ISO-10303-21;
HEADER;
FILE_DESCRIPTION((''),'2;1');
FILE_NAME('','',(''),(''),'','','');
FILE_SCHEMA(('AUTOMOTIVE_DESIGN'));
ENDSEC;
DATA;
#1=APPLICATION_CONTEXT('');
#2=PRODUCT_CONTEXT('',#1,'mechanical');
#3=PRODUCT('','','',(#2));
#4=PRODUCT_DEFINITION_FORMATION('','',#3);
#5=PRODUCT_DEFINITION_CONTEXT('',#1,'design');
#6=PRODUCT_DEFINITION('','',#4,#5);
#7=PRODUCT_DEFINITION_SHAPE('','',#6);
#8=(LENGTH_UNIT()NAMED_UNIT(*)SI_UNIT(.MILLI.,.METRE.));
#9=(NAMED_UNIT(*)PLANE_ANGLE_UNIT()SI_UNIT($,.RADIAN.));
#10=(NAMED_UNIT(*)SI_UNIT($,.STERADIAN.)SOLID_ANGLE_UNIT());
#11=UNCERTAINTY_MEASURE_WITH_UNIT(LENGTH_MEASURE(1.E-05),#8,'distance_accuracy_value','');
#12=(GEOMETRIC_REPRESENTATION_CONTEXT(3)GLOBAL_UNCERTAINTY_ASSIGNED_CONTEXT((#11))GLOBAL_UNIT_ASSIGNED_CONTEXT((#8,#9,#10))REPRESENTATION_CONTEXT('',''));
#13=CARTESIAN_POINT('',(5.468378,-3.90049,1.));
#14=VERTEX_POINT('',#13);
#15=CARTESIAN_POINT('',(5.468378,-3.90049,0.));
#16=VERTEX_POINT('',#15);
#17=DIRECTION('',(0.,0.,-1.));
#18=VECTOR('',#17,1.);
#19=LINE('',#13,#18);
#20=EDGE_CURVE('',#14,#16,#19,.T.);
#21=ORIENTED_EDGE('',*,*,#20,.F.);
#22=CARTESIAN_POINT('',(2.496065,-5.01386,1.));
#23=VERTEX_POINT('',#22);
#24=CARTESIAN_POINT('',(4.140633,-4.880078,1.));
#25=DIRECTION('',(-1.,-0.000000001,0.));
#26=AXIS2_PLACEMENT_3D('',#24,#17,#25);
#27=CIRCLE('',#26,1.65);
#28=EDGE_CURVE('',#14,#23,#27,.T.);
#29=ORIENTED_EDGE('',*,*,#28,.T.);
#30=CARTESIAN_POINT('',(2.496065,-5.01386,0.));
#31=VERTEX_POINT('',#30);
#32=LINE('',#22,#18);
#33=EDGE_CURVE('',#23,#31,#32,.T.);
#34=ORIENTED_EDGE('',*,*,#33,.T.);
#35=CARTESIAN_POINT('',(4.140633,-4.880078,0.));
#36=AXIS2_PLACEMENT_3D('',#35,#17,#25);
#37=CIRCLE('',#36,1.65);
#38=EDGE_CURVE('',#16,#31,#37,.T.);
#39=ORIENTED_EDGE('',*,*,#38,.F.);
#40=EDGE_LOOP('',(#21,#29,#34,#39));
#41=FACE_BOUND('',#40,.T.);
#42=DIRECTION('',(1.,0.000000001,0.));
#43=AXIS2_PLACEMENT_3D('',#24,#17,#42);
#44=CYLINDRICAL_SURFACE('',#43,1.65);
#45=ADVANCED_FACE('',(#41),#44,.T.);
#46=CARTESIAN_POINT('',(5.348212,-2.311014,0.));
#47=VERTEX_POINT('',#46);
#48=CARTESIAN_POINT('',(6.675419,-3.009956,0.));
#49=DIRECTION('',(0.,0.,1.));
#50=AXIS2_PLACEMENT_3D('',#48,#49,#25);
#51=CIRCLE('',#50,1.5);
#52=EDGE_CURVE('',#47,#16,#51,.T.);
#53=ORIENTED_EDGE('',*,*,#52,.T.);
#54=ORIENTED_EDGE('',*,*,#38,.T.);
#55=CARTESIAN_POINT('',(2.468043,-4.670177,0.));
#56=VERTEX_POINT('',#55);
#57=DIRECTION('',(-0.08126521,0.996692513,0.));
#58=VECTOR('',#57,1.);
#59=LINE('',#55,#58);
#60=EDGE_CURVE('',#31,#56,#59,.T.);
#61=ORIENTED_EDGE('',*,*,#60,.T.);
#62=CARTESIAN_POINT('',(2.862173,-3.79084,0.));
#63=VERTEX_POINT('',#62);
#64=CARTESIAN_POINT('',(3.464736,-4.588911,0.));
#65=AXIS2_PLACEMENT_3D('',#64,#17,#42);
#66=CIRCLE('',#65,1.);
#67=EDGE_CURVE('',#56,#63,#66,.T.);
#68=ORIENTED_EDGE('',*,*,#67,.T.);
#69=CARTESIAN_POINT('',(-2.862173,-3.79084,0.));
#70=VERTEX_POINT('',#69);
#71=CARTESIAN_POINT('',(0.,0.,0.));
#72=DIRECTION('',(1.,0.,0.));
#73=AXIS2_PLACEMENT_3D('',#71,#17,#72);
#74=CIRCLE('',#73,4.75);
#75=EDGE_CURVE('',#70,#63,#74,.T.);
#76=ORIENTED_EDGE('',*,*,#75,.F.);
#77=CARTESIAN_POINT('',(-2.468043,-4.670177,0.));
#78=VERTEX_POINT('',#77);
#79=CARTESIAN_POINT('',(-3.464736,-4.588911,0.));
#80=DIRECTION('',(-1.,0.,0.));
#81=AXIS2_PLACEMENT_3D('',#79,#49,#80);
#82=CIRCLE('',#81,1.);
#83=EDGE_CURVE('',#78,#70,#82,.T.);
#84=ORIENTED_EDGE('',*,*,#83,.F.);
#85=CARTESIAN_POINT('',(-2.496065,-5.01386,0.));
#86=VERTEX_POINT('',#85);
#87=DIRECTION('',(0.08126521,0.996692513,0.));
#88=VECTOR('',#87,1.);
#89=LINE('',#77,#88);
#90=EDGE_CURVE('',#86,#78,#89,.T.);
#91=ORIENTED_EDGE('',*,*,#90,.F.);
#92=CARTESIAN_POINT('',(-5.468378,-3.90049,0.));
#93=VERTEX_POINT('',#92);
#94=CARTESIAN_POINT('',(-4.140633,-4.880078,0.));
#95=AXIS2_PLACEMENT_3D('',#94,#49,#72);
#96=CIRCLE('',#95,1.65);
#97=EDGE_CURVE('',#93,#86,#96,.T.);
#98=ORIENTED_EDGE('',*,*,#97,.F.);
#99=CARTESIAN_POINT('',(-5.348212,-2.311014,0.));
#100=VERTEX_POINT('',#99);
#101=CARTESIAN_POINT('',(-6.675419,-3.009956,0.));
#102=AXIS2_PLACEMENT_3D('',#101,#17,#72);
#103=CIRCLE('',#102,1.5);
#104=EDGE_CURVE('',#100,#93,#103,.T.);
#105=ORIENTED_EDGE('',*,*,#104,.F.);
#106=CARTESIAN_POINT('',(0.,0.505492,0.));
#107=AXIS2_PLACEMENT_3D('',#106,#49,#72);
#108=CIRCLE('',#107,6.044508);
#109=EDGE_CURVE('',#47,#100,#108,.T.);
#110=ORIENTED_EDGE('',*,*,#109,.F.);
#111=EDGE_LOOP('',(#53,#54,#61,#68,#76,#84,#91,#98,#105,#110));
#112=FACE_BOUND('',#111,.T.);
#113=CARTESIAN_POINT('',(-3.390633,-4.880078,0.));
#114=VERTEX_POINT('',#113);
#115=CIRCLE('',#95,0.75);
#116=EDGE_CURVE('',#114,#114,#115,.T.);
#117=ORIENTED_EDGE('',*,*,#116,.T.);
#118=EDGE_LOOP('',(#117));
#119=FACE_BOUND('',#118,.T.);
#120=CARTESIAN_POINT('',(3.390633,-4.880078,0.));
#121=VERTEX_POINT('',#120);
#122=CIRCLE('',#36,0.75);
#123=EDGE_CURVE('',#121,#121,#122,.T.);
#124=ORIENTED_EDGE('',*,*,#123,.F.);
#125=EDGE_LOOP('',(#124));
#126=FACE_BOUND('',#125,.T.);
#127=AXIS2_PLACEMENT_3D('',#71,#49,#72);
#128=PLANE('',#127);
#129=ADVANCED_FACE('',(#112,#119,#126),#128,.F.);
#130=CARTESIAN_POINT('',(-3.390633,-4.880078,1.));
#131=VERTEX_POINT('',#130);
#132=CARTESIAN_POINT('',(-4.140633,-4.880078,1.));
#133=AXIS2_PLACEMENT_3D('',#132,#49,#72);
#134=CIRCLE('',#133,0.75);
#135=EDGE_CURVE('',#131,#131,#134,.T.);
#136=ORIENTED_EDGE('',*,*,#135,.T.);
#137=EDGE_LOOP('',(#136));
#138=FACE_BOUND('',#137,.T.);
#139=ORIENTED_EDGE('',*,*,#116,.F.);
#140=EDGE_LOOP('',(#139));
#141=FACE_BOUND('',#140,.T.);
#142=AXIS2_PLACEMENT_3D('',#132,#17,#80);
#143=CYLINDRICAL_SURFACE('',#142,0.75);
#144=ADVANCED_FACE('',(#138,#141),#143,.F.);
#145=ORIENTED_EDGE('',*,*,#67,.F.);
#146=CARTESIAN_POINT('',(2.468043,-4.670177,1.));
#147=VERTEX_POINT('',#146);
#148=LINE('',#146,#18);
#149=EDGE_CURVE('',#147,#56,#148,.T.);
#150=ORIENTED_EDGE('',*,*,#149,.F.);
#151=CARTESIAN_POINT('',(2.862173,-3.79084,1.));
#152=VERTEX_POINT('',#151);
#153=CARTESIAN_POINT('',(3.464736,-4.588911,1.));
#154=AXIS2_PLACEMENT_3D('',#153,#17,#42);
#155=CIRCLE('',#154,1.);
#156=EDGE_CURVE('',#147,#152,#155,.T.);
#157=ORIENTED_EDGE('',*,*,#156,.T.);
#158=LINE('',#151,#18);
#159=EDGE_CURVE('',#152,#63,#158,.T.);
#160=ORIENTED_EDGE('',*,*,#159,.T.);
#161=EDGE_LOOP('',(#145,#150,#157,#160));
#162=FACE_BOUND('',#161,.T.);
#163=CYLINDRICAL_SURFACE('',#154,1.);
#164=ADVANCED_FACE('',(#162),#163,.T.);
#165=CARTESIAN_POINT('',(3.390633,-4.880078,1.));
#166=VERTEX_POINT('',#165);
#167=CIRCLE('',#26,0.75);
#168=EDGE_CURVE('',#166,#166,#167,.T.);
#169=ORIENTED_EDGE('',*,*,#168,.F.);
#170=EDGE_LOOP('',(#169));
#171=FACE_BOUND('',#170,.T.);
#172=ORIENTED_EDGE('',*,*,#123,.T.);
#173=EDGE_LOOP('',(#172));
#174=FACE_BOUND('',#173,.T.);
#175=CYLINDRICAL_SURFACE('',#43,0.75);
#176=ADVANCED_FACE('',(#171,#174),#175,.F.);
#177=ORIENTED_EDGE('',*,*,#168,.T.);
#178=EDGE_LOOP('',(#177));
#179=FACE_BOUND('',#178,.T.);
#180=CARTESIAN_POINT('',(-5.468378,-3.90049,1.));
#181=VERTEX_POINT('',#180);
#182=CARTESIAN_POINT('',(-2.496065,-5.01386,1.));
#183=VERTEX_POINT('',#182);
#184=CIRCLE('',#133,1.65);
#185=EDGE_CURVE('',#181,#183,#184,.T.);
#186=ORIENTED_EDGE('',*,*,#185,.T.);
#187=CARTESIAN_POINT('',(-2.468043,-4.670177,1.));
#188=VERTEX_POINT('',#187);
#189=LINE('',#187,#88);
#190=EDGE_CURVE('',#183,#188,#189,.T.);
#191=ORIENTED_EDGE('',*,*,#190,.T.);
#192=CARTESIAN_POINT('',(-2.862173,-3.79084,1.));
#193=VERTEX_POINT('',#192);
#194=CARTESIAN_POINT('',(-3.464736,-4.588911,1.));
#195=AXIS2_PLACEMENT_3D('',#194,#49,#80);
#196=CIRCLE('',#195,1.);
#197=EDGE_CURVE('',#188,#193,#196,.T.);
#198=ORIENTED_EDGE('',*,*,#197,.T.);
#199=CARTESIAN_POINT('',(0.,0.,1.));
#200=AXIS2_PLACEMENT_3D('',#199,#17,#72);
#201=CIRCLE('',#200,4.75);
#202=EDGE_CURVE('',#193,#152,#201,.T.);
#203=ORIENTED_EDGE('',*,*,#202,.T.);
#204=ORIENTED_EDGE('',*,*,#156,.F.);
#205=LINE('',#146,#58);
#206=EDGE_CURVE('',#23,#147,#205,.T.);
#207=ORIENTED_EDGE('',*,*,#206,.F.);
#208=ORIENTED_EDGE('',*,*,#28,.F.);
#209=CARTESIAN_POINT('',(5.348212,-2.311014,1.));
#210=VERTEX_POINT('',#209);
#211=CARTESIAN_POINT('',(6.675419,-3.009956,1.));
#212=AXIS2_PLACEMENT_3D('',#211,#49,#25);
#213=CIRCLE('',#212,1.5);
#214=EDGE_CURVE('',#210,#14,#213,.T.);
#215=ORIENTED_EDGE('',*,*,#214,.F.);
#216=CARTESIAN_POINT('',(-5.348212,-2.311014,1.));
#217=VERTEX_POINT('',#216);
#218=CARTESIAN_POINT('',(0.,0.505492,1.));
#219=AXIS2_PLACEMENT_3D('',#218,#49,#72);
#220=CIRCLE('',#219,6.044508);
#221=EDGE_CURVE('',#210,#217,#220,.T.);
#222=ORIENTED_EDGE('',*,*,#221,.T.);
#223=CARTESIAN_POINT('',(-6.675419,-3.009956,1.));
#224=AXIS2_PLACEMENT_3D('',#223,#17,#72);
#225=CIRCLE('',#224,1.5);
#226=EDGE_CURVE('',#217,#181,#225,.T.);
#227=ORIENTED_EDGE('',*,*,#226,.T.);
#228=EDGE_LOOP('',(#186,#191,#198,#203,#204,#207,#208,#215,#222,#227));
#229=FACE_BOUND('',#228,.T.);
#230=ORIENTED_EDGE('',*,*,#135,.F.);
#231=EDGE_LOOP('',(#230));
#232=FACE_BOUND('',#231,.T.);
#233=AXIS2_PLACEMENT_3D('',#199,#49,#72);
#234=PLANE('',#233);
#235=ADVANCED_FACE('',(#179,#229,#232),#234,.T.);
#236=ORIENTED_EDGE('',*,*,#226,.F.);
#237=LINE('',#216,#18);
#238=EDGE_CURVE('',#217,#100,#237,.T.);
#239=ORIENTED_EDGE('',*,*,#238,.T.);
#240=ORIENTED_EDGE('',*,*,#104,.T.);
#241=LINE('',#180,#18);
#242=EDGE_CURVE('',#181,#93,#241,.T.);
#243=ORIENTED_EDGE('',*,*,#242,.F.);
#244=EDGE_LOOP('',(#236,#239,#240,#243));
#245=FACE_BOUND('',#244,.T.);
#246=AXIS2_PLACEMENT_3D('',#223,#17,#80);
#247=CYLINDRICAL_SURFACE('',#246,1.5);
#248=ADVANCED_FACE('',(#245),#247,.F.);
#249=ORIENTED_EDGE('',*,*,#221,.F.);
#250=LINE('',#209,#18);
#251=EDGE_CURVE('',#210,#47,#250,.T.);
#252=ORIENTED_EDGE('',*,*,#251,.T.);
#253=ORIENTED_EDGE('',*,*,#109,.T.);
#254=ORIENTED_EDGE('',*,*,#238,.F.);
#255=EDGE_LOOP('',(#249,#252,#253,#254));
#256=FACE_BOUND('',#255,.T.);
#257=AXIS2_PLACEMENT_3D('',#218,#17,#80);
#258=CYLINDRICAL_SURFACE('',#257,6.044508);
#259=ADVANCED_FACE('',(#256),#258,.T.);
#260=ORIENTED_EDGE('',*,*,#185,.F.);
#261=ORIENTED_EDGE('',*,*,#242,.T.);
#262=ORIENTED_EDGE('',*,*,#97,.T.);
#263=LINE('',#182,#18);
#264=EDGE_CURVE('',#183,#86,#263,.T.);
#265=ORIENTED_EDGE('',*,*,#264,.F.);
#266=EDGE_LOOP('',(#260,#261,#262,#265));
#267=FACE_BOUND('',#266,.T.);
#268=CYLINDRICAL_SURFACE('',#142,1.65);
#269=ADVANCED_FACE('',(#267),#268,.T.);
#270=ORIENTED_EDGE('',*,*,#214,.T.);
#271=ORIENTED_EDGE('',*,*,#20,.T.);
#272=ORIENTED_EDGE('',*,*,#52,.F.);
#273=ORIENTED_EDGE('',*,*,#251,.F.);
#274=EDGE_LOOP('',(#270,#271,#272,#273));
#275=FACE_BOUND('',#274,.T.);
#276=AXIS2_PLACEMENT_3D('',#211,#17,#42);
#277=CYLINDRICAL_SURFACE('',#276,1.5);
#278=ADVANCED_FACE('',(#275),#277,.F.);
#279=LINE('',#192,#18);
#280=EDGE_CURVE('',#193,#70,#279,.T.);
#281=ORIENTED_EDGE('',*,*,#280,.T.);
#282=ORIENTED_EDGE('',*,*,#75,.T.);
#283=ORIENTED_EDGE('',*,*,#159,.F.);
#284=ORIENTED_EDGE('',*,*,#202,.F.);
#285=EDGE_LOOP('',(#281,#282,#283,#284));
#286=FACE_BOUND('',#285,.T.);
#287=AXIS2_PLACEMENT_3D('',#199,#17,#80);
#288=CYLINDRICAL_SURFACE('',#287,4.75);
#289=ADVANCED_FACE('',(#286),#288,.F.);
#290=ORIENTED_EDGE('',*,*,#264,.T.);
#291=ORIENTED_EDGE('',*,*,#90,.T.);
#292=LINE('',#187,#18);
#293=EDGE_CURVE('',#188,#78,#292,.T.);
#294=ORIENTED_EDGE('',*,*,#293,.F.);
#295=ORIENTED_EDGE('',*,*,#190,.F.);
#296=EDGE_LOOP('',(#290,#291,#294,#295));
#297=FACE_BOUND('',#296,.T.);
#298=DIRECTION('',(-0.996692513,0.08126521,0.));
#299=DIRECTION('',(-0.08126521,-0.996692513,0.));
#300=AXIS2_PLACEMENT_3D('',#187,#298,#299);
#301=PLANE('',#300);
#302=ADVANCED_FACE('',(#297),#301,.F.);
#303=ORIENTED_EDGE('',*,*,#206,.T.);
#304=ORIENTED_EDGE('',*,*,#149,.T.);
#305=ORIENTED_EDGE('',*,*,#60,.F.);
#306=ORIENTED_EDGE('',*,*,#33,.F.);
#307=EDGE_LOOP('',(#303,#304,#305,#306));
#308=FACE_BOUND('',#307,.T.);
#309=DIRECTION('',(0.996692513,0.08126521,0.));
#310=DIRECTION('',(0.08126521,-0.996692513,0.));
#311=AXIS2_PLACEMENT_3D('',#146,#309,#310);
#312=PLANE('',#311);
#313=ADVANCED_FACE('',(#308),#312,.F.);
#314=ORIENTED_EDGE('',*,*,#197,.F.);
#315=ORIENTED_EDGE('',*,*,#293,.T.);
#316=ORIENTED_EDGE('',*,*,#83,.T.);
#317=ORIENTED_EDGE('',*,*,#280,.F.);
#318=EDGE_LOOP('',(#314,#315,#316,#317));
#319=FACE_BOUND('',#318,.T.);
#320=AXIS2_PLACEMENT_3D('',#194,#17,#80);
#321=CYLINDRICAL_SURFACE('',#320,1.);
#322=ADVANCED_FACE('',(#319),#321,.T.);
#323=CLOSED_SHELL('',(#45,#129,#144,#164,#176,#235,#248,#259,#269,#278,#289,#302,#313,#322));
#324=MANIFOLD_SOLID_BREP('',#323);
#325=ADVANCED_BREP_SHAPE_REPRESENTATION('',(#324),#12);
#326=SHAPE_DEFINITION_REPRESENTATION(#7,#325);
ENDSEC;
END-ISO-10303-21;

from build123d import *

# Parameters (mm, degrees)
SKETCH_2_R      = 0.75
EXTRUDE_1_DEPTH = 1


with BuildPart() as part:
    # Эскиз2 → Бобышка-Вытянуть1 (new body)
    with BuildSketch(Plane.XY):
        with BuildLine():
            Line((1e-09, 4.75), (0, 6.55))
            ThreePointArc((0, 6.55), (-5.174962188, 3.628926318), (-5.348211601, -2.311013895))
            ThreePointArc((-5.348211601, -2.311013895), (-5.179687707, -3.123034993), (-5.468378103, -3.900490086))
            ThreePointArc((-5.468378103, -3.900490086), (-4.719418002, -6.425234093), (-2.496065251, -5.013860266))
            Line((-2.496065251, -5.013860266), (-2.468043041, -4.670176577))
            ThreePointArc((-2.468043041, -4.670176577), (-2.552204681, -4.179903536), (-2.862172849, -3.790839825))
            ThreePointArc((-2.862172849, -3.790839825), (-4.503831101, 1.50930627), (1e-09, 4.75))
        make_face()
        with Locations((-4.140632757, -4.880077906)):
            Circle(SKETCH_2_R, mode=Mode.SUBTRACT)
    extrude(amount=EXTRUDE_1_DEPTH)

    # Зеркальное отражение1: part across plane


with BuildPart() as part_1:
    add(part.part)
    add(part.part.mirror(Plane(origin=(1e-09, 4.75, 1), x_dir=(0, 0, 1), z_dir=(-1, 0, 0))))


solid = part_1.part
